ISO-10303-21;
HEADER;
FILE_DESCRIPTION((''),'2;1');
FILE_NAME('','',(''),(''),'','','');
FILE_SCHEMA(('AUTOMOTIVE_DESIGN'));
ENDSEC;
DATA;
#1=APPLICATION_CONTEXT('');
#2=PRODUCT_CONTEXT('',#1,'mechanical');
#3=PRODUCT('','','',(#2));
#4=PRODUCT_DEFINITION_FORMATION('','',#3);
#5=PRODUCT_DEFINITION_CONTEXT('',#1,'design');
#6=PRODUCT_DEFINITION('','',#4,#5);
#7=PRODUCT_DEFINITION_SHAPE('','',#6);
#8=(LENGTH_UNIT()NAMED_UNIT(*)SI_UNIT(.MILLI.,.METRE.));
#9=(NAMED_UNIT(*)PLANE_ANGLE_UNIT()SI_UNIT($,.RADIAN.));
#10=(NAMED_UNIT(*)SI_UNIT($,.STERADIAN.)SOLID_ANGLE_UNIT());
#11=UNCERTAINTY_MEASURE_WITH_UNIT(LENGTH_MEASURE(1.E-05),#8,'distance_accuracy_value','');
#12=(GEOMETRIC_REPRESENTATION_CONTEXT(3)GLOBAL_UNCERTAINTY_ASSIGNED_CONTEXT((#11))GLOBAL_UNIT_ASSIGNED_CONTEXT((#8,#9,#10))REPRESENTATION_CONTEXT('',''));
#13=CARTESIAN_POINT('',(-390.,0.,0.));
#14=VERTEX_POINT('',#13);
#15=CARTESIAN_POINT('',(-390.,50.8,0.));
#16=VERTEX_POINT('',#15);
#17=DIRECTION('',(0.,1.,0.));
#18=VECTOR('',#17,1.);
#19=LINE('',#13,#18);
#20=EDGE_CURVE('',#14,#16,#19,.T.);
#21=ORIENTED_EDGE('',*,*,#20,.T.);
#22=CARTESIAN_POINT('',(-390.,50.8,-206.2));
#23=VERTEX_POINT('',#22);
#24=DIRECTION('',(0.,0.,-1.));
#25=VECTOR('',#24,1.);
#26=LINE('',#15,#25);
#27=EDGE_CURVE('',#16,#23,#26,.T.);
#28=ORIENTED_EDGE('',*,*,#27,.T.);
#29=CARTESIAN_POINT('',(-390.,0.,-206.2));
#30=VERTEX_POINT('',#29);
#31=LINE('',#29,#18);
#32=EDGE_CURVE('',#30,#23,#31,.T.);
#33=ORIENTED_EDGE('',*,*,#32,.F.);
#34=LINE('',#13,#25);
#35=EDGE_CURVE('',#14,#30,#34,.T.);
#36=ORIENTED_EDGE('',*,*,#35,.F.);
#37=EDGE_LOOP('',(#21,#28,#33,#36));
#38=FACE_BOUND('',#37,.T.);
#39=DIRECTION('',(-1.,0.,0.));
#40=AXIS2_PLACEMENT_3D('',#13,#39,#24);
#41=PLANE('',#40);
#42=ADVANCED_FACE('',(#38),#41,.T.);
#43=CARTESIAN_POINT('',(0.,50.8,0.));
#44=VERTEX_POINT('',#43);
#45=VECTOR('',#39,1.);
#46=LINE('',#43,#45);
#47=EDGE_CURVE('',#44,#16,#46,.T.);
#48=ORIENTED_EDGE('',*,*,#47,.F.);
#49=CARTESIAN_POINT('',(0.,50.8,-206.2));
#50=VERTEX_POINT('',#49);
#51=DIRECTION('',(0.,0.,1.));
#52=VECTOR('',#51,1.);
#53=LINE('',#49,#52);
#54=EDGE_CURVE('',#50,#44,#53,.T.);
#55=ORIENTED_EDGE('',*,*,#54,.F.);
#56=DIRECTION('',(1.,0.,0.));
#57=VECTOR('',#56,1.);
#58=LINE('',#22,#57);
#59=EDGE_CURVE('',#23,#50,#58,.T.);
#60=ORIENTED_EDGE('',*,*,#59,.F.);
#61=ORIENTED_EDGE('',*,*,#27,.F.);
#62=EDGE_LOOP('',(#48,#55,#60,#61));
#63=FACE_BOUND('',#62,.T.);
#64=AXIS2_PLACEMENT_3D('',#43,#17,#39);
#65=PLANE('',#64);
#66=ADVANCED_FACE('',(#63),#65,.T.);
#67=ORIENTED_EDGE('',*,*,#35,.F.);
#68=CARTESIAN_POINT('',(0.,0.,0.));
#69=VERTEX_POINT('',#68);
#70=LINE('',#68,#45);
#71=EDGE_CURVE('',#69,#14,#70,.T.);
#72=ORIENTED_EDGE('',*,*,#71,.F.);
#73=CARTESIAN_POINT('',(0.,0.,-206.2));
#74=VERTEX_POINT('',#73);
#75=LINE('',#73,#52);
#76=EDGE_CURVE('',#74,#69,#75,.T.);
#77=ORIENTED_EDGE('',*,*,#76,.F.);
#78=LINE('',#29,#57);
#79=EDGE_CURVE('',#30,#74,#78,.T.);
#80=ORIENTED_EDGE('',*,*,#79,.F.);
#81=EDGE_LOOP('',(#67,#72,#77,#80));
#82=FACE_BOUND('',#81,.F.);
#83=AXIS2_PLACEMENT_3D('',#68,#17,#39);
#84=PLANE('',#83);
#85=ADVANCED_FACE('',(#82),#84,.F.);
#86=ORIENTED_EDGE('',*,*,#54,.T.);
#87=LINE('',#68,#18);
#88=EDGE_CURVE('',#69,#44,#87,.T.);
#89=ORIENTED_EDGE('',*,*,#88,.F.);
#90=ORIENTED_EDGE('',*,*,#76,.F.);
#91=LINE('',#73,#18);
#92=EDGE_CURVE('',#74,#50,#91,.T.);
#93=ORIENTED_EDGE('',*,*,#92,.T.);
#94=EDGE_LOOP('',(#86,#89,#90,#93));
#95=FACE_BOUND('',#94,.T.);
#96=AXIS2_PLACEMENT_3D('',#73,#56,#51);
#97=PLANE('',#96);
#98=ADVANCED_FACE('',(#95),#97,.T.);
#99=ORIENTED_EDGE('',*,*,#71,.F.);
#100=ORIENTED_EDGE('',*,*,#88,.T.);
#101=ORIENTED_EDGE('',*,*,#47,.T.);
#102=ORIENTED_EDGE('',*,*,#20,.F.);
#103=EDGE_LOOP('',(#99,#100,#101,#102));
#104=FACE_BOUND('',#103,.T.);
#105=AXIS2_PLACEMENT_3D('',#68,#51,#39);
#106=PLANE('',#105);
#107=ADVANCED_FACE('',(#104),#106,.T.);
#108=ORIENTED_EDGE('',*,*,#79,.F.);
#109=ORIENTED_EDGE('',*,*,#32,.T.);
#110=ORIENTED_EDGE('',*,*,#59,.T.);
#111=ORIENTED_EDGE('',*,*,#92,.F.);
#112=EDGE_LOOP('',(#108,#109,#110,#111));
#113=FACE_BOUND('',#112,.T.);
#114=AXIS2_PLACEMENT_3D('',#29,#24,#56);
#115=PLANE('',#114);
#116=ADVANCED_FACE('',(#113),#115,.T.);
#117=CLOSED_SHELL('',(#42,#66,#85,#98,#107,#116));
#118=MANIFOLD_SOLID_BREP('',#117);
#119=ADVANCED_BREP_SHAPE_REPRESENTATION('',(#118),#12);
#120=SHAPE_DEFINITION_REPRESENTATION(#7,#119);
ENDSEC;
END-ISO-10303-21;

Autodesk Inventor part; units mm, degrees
ref_plane "YZ Plane" through (0, 0, 0) normal (1, 0, 0) x (0, 1, 0)
ref_plane "XZ Plane" through (0, 0, 0) normal (0, 1, 0) x (-1, 0, 0)
ref_plane "XY Plane" through (0, 0, 0) normal (0, 0, 1) x (1, 0, 0)
sketch "Sketch1" plane through (0, 0, 0) normal (0, 1, 0) x (-1, 0, 0)
  line L0 (0, 0) -> (390, 0)
  line L1 (390, 0) -> (390, -206.2)
  line L2 (390, -206.2) -> (0, -206.2)
  line L3 (0, -206.2) -> (0, 0)
  dimension "d0" = 390
  dimension "d1" = 206.2
extrude "Extrusion1" add sketch "Sketch1" along normal blind 50.8
properties part number "Piso"
